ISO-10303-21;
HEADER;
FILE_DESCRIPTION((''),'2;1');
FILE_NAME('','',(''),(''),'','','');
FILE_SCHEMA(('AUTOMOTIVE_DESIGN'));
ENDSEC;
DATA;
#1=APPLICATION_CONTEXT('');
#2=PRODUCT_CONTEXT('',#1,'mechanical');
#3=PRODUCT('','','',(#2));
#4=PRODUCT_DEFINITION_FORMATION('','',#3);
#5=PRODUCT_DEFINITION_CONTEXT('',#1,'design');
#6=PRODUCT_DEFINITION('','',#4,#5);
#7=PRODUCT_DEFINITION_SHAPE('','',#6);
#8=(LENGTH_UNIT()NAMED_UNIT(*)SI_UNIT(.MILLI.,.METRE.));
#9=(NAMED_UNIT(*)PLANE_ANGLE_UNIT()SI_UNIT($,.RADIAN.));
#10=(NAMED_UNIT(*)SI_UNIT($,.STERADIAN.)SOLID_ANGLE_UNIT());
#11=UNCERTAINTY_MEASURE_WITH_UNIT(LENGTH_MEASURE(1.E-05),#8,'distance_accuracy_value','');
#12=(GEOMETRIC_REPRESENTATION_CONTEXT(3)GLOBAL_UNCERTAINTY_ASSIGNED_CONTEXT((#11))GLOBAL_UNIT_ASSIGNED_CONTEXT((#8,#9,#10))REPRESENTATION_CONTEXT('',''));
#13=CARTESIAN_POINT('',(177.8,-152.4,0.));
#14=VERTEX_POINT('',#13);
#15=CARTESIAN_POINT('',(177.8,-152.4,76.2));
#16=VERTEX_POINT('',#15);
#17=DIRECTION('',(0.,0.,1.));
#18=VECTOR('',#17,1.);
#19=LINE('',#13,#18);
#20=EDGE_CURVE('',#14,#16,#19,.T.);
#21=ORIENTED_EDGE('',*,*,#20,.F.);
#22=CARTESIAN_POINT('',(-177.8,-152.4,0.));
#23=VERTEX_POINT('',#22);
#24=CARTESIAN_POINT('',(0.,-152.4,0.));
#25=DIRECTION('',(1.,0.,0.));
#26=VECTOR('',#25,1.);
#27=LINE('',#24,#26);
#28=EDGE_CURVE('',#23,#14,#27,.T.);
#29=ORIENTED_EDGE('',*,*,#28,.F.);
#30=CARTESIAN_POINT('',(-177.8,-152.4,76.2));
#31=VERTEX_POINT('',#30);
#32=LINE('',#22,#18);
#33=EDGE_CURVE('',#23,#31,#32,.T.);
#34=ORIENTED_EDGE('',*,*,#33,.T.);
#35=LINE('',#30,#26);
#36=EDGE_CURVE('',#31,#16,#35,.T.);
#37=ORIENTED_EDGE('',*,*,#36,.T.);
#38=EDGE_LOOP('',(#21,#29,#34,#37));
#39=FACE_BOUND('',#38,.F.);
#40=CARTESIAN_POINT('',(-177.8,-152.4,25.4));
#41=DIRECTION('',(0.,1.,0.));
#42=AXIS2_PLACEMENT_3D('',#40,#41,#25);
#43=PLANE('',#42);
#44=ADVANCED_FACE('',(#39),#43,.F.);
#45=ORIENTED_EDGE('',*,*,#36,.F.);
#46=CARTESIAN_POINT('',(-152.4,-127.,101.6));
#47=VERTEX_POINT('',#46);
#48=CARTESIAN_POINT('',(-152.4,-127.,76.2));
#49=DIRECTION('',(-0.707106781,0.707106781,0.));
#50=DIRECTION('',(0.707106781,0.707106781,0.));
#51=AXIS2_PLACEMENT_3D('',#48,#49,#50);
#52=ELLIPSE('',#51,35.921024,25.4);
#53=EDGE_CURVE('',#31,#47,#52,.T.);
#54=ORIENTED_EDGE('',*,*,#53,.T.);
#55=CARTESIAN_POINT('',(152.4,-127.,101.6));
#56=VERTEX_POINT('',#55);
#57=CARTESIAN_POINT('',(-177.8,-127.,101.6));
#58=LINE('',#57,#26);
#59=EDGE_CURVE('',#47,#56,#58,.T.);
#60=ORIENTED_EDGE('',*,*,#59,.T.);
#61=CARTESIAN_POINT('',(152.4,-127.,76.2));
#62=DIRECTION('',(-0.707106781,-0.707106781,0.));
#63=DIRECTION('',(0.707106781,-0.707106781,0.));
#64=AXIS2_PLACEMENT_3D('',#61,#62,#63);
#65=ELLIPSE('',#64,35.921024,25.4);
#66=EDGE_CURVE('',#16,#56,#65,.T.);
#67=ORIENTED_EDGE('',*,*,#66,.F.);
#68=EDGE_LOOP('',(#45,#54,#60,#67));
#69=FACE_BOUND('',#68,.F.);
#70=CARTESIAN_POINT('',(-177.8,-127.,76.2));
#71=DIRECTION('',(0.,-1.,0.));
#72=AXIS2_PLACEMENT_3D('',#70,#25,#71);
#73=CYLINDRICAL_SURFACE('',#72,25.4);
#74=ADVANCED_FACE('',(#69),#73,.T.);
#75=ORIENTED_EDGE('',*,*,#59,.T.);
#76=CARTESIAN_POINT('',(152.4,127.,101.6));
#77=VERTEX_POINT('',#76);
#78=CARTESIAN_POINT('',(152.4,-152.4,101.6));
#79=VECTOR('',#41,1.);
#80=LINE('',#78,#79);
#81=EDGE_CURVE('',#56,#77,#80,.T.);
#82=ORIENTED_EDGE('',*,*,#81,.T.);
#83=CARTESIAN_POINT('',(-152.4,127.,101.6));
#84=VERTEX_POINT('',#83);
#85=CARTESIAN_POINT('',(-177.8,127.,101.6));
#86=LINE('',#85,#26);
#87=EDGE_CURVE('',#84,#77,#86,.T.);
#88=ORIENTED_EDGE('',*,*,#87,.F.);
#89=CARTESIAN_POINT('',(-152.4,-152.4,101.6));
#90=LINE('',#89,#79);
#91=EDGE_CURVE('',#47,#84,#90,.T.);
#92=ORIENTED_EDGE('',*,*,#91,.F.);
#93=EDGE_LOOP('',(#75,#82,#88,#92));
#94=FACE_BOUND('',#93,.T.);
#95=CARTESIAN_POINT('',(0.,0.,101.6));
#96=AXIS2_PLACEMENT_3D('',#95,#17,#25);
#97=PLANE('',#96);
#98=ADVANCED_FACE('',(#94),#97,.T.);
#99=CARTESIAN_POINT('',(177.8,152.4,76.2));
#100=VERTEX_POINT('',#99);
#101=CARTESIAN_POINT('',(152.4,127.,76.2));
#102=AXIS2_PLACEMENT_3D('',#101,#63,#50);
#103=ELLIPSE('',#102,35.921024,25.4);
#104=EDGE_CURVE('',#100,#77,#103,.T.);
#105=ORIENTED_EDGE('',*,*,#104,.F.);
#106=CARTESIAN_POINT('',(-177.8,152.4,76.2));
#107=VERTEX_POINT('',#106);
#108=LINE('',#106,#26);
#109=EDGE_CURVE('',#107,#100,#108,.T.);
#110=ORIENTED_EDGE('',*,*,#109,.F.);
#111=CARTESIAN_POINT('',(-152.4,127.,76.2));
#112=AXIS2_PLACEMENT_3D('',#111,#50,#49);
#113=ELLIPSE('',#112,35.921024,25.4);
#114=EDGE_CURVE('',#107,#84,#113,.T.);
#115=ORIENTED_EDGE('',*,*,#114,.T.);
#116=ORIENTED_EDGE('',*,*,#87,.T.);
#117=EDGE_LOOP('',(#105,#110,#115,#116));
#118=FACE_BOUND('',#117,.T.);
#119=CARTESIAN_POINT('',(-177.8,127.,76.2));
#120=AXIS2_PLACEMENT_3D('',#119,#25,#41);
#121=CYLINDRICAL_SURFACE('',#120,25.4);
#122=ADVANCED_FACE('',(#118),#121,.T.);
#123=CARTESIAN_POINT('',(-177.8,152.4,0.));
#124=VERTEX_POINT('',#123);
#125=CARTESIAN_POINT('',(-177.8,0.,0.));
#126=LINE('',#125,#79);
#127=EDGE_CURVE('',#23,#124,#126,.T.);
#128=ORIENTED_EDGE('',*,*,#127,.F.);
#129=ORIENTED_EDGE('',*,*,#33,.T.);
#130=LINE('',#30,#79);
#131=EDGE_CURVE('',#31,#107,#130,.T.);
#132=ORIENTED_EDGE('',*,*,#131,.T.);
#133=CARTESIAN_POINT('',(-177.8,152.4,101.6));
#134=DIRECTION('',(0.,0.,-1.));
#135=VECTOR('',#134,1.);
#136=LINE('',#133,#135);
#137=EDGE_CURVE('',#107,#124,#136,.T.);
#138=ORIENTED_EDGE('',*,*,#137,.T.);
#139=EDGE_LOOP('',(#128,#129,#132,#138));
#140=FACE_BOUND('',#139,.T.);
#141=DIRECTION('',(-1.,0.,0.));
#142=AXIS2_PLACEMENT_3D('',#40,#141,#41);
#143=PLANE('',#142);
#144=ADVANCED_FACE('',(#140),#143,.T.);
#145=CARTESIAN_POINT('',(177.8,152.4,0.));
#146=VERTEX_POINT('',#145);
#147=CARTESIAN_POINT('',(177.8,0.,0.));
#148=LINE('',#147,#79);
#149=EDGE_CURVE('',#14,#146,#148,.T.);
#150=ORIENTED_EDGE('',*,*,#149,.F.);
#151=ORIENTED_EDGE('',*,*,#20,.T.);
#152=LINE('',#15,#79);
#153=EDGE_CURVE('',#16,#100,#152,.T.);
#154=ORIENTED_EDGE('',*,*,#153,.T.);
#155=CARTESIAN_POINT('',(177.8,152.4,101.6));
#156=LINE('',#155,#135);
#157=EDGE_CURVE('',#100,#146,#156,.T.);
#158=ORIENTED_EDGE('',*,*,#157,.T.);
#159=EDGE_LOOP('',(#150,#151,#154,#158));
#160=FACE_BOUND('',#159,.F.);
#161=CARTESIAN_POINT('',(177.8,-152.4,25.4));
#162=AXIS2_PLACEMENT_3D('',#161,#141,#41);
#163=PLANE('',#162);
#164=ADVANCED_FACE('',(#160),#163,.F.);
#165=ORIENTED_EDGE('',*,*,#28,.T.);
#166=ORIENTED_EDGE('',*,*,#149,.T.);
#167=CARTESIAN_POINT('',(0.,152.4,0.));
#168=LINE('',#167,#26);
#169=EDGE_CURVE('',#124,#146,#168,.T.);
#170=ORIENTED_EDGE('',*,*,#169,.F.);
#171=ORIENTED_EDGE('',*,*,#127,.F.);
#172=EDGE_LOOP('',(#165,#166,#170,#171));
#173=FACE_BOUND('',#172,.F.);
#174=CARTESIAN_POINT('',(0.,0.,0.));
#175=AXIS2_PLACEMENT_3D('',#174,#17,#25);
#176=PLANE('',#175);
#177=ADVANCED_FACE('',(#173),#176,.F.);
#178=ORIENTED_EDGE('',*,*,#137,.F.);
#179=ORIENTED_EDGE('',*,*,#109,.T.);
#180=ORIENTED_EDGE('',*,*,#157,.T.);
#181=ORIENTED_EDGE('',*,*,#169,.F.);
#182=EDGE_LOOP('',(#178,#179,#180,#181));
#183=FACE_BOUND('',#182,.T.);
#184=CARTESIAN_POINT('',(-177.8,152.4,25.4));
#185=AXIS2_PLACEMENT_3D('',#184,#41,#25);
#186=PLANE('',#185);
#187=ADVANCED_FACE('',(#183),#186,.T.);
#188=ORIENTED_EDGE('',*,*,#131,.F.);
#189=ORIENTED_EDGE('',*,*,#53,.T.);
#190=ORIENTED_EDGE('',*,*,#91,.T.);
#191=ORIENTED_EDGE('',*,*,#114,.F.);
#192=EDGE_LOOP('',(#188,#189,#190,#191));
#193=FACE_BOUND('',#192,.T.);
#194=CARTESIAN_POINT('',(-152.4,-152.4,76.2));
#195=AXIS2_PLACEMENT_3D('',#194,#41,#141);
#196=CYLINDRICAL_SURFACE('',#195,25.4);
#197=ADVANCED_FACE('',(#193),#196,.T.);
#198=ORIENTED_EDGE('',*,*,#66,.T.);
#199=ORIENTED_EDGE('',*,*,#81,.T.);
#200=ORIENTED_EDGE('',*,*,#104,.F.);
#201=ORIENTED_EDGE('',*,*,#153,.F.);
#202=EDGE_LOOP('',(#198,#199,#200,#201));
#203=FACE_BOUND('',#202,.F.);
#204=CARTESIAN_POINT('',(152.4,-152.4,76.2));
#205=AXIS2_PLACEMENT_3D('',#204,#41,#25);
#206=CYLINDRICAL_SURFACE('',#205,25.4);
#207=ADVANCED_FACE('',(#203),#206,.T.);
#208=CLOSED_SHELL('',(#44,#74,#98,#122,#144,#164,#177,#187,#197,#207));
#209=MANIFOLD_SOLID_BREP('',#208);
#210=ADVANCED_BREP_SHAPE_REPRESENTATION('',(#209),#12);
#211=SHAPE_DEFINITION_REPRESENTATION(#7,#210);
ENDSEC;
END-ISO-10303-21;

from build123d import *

# Parameters (mm, degrees)
F0_W     = 355.6
F0_H     = 304.8
F1_DEPTH = 25.4
F2_W     = 355.6
F2_H     = 304.8
F3_DEPTH = 76.2
F4_R     = 25.4


with BuildPart() as f1:
    # F0 (on Top) → F1 (new body)
    with BuildSketch(Plane.XY):
        Rectangle(F0_W, F0_H)
    extrude(amount=F1_DEPTH)

    # F2 (on face) → F3 (join)
    with BuildSketch(Plane.XY.offset(25.4)):
        Rectangle(F2_W, F2_H)
    extrude(amount=F3_DEPTH)

    # F4
    f4_edges = [f1.edges().sort_by_distance(p)[0] for p in [
        (-177.8, 0, 101.6),
        (0, -152.4, 101.6),
        (177.8, 0, 101.6),
        (0, 152.4, 101.6),
    ]]
    fillet(f4_edges, radius=F4_R)


solid = f1.part
